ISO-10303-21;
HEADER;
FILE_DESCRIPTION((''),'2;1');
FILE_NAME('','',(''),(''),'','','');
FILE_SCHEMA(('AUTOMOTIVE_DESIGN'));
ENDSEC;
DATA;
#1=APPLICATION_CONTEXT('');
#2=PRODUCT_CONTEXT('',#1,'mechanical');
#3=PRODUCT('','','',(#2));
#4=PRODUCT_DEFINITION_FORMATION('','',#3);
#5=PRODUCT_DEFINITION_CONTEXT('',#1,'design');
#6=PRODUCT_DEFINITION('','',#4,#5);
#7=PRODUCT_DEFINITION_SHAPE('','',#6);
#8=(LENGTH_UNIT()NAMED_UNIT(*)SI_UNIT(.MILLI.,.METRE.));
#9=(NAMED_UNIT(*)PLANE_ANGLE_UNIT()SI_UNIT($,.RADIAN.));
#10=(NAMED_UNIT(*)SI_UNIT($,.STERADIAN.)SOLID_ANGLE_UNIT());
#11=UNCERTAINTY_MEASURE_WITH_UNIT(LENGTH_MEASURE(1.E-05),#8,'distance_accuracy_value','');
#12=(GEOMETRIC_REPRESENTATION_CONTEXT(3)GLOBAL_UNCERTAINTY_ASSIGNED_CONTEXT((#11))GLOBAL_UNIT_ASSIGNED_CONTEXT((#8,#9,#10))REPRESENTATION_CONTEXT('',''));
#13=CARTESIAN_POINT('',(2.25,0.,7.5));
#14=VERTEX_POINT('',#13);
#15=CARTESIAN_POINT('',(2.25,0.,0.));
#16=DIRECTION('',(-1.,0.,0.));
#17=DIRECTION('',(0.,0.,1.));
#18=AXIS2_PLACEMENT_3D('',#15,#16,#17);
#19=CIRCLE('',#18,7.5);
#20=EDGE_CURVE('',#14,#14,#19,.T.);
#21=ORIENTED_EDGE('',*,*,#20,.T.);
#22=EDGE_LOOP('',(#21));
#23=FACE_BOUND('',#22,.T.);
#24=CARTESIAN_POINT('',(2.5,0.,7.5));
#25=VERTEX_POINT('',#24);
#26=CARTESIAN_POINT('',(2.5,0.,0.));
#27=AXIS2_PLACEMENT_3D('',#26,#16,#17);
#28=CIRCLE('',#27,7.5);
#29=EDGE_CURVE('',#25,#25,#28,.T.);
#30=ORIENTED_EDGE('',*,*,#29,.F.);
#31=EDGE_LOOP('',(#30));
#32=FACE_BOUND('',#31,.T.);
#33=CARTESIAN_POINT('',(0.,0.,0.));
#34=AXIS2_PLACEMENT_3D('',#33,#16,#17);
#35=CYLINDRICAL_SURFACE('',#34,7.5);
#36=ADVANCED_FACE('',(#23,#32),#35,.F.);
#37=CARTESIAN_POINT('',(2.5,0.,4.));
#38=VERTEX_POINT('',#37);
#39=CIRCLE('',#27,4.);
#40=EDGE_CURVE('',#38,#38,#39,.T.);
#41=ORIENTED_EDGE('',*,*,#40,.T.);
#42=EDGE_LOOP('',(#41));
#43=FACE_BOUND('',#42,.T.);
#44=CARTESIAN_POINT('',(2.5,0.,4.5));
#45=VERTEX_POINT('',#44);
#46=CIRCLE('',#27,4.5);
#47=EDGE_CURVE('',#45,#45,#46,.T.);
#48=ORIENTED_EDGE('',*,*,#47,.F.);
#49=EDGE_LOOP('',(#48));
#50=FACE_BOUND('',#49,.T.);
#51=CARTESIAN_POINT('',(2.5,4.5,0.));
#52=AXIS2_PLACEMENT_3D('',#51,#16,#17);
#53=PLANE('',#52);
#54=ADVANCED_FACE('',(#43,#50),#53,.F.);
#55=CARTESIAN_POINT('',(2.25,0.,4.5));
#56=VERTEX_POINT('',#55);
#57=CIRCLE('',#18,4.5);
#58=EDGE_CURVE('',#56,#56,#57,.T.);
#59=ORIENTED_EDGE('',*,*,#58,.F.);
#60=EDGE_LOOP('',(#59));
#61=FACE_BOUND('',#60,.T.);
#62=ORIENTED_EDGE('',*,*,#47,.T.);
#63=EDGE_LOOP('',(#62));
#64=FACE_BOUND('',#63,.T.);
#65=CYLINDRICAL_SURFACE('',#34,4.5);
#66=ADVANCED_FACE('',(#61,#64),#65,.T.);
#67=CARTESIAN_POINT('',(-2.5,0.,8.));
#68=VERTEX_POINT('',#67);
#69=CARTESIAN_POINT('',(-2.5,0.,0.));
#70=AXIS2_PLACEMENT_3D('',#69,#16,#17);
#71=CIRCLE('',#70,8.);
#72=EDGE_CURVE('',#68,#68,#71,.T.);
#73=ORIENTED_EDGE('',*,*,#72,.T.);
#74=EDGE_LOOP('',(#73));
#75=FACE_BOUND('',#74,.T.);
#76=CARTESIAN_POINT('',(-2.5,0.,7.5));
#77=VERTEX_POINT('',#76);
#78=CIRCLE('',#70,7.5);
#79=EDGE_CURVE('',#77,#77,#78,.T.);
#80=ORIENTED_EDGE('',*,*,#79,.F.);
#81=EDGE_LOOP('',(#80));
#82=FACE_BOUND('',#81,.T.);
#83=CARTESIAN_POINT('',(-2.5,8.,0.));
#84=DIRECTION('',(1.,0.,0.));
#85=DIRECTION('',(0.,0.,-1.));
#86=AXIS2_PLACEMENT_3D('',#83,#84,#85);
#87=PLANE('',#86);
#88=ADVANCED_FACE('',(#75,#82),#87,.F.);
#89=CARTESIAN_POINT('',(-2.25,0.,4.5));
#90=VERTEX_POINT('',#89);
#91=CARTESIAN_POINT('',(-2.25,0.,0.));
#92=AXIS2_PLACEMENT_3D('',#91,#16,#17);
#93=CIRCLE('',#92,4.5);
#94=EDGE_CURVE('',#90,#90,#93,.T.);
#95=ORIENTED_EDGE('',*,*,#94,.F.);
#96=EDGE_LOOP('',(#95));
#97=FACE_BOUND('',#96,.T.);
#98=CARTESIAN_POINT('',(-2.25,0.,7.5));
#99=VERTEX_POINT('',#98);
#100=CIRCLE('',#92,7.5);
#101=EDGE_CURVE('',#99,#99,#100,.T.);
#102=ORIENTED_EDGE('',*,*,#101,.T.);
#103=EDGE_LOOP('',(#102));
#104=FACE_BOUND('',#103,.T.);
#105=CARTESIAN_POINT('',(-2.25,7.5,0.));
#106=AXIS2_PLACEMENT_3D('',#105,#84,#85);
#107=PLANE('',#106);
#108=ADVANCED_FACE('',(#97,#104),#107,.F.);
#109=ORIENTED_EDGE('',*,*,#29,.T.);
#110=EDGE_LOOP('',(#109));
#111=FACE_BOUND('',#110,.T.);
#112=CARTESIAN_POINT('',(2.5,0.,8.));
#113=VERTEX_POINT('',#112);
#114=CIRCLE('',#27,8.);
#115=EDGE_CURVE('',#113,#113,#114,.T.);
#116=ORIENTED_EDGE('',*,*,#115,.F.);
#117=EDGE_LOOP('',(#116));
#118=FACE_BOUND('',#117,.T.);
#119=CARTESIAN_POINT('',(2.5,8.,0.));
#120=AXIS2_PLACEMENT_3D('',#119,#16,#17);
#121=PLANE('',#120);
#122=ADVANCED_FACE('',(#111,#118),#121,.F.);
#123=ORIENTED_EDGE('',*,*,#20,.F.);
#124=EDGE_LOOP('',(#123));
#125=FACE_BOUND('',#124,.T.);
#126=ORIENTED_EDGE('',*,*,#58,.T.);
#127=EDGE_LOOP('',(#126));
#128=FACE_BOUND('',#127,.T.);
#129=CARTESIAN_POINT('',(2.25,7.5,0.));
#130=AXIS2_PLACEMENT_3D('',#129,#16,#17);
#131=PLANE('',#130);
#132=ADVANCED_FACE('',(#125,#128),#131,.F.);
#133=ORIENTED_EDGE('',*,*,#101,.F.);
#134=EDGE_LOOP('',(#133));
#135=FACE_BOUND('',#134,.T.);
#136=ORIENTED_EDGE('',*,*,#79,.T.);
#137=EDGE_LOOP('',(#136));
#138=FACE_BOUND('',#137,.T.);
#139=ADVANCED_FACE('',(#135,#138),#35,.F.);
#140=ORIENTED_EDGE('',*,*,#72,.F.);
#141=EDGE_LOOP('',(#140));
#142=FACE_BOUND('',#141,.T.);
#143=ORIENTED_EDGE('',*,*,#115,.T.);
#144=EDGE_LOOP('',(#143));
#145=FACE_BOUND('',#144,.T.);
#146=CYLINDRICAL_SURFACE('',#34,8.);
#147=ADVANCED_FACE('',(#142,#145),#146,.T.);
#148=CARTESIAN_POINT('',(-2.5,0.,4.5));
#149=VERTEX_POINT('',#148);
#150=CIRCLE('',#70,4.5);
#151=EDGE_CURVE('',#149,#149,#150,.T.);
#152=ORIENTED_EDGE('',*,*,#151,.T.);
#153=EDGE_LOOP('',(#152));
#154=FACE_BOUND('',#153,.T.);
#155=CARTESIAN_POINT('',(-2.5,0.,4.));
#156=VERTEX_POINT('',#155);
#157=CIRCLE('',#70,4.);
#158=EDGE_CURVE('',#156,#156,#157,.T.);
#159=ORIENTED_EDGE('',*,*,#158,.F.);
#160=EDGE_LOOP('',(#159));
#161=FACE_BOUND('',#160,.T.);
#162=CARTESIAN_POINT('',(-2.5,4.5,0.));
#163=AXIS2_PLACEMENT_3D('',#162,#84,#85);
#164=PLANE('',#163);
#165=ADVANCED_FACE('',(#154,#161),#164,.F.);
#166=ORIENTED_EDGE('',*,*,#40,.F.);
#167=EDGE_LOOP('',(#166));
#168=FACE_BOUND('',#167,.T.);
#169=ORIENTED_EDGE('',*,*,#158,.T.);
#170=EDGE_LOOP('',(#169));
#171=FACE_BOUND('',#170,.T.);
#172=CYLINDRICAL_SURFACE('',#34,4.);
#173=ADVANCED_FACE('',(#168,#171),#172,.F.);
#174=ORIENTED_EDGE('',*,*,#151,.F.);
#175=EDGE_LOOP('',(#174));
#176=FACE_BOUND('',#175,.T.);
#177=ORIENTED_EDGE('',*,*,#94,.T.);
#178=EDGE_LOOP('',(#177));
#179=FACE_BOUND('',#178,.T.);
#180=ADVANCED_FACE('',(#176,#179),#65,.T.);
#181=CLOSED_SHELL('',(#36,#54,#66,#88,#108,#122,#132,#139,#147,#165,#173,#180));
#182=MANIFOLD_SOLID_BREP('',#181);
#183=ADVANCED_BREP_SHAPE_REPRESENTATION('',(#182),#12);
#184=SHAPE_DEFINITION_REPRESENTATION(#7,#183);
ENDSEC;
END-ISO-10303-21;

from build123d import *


with BuildPart() as part:
    # Sketch1 → Revolve1 (revolve)
    with BuildSketch(Plane.XY):
        Polygon((-2.5, 8), (2.5, 8), (2.5, 7.5), (2.25, 7.5), (2.25, 4.5), (2.5, 4.5), (2.5, 4), (-2.5, 4), (-2.5, 4.5), (-2.25, 4.5), (-2.25, 7.5), (-2.5, 7.5), align=None)
    revolve(axis=Axis((0, 0, 0), (1, 0, 0)))


solid = part.part
